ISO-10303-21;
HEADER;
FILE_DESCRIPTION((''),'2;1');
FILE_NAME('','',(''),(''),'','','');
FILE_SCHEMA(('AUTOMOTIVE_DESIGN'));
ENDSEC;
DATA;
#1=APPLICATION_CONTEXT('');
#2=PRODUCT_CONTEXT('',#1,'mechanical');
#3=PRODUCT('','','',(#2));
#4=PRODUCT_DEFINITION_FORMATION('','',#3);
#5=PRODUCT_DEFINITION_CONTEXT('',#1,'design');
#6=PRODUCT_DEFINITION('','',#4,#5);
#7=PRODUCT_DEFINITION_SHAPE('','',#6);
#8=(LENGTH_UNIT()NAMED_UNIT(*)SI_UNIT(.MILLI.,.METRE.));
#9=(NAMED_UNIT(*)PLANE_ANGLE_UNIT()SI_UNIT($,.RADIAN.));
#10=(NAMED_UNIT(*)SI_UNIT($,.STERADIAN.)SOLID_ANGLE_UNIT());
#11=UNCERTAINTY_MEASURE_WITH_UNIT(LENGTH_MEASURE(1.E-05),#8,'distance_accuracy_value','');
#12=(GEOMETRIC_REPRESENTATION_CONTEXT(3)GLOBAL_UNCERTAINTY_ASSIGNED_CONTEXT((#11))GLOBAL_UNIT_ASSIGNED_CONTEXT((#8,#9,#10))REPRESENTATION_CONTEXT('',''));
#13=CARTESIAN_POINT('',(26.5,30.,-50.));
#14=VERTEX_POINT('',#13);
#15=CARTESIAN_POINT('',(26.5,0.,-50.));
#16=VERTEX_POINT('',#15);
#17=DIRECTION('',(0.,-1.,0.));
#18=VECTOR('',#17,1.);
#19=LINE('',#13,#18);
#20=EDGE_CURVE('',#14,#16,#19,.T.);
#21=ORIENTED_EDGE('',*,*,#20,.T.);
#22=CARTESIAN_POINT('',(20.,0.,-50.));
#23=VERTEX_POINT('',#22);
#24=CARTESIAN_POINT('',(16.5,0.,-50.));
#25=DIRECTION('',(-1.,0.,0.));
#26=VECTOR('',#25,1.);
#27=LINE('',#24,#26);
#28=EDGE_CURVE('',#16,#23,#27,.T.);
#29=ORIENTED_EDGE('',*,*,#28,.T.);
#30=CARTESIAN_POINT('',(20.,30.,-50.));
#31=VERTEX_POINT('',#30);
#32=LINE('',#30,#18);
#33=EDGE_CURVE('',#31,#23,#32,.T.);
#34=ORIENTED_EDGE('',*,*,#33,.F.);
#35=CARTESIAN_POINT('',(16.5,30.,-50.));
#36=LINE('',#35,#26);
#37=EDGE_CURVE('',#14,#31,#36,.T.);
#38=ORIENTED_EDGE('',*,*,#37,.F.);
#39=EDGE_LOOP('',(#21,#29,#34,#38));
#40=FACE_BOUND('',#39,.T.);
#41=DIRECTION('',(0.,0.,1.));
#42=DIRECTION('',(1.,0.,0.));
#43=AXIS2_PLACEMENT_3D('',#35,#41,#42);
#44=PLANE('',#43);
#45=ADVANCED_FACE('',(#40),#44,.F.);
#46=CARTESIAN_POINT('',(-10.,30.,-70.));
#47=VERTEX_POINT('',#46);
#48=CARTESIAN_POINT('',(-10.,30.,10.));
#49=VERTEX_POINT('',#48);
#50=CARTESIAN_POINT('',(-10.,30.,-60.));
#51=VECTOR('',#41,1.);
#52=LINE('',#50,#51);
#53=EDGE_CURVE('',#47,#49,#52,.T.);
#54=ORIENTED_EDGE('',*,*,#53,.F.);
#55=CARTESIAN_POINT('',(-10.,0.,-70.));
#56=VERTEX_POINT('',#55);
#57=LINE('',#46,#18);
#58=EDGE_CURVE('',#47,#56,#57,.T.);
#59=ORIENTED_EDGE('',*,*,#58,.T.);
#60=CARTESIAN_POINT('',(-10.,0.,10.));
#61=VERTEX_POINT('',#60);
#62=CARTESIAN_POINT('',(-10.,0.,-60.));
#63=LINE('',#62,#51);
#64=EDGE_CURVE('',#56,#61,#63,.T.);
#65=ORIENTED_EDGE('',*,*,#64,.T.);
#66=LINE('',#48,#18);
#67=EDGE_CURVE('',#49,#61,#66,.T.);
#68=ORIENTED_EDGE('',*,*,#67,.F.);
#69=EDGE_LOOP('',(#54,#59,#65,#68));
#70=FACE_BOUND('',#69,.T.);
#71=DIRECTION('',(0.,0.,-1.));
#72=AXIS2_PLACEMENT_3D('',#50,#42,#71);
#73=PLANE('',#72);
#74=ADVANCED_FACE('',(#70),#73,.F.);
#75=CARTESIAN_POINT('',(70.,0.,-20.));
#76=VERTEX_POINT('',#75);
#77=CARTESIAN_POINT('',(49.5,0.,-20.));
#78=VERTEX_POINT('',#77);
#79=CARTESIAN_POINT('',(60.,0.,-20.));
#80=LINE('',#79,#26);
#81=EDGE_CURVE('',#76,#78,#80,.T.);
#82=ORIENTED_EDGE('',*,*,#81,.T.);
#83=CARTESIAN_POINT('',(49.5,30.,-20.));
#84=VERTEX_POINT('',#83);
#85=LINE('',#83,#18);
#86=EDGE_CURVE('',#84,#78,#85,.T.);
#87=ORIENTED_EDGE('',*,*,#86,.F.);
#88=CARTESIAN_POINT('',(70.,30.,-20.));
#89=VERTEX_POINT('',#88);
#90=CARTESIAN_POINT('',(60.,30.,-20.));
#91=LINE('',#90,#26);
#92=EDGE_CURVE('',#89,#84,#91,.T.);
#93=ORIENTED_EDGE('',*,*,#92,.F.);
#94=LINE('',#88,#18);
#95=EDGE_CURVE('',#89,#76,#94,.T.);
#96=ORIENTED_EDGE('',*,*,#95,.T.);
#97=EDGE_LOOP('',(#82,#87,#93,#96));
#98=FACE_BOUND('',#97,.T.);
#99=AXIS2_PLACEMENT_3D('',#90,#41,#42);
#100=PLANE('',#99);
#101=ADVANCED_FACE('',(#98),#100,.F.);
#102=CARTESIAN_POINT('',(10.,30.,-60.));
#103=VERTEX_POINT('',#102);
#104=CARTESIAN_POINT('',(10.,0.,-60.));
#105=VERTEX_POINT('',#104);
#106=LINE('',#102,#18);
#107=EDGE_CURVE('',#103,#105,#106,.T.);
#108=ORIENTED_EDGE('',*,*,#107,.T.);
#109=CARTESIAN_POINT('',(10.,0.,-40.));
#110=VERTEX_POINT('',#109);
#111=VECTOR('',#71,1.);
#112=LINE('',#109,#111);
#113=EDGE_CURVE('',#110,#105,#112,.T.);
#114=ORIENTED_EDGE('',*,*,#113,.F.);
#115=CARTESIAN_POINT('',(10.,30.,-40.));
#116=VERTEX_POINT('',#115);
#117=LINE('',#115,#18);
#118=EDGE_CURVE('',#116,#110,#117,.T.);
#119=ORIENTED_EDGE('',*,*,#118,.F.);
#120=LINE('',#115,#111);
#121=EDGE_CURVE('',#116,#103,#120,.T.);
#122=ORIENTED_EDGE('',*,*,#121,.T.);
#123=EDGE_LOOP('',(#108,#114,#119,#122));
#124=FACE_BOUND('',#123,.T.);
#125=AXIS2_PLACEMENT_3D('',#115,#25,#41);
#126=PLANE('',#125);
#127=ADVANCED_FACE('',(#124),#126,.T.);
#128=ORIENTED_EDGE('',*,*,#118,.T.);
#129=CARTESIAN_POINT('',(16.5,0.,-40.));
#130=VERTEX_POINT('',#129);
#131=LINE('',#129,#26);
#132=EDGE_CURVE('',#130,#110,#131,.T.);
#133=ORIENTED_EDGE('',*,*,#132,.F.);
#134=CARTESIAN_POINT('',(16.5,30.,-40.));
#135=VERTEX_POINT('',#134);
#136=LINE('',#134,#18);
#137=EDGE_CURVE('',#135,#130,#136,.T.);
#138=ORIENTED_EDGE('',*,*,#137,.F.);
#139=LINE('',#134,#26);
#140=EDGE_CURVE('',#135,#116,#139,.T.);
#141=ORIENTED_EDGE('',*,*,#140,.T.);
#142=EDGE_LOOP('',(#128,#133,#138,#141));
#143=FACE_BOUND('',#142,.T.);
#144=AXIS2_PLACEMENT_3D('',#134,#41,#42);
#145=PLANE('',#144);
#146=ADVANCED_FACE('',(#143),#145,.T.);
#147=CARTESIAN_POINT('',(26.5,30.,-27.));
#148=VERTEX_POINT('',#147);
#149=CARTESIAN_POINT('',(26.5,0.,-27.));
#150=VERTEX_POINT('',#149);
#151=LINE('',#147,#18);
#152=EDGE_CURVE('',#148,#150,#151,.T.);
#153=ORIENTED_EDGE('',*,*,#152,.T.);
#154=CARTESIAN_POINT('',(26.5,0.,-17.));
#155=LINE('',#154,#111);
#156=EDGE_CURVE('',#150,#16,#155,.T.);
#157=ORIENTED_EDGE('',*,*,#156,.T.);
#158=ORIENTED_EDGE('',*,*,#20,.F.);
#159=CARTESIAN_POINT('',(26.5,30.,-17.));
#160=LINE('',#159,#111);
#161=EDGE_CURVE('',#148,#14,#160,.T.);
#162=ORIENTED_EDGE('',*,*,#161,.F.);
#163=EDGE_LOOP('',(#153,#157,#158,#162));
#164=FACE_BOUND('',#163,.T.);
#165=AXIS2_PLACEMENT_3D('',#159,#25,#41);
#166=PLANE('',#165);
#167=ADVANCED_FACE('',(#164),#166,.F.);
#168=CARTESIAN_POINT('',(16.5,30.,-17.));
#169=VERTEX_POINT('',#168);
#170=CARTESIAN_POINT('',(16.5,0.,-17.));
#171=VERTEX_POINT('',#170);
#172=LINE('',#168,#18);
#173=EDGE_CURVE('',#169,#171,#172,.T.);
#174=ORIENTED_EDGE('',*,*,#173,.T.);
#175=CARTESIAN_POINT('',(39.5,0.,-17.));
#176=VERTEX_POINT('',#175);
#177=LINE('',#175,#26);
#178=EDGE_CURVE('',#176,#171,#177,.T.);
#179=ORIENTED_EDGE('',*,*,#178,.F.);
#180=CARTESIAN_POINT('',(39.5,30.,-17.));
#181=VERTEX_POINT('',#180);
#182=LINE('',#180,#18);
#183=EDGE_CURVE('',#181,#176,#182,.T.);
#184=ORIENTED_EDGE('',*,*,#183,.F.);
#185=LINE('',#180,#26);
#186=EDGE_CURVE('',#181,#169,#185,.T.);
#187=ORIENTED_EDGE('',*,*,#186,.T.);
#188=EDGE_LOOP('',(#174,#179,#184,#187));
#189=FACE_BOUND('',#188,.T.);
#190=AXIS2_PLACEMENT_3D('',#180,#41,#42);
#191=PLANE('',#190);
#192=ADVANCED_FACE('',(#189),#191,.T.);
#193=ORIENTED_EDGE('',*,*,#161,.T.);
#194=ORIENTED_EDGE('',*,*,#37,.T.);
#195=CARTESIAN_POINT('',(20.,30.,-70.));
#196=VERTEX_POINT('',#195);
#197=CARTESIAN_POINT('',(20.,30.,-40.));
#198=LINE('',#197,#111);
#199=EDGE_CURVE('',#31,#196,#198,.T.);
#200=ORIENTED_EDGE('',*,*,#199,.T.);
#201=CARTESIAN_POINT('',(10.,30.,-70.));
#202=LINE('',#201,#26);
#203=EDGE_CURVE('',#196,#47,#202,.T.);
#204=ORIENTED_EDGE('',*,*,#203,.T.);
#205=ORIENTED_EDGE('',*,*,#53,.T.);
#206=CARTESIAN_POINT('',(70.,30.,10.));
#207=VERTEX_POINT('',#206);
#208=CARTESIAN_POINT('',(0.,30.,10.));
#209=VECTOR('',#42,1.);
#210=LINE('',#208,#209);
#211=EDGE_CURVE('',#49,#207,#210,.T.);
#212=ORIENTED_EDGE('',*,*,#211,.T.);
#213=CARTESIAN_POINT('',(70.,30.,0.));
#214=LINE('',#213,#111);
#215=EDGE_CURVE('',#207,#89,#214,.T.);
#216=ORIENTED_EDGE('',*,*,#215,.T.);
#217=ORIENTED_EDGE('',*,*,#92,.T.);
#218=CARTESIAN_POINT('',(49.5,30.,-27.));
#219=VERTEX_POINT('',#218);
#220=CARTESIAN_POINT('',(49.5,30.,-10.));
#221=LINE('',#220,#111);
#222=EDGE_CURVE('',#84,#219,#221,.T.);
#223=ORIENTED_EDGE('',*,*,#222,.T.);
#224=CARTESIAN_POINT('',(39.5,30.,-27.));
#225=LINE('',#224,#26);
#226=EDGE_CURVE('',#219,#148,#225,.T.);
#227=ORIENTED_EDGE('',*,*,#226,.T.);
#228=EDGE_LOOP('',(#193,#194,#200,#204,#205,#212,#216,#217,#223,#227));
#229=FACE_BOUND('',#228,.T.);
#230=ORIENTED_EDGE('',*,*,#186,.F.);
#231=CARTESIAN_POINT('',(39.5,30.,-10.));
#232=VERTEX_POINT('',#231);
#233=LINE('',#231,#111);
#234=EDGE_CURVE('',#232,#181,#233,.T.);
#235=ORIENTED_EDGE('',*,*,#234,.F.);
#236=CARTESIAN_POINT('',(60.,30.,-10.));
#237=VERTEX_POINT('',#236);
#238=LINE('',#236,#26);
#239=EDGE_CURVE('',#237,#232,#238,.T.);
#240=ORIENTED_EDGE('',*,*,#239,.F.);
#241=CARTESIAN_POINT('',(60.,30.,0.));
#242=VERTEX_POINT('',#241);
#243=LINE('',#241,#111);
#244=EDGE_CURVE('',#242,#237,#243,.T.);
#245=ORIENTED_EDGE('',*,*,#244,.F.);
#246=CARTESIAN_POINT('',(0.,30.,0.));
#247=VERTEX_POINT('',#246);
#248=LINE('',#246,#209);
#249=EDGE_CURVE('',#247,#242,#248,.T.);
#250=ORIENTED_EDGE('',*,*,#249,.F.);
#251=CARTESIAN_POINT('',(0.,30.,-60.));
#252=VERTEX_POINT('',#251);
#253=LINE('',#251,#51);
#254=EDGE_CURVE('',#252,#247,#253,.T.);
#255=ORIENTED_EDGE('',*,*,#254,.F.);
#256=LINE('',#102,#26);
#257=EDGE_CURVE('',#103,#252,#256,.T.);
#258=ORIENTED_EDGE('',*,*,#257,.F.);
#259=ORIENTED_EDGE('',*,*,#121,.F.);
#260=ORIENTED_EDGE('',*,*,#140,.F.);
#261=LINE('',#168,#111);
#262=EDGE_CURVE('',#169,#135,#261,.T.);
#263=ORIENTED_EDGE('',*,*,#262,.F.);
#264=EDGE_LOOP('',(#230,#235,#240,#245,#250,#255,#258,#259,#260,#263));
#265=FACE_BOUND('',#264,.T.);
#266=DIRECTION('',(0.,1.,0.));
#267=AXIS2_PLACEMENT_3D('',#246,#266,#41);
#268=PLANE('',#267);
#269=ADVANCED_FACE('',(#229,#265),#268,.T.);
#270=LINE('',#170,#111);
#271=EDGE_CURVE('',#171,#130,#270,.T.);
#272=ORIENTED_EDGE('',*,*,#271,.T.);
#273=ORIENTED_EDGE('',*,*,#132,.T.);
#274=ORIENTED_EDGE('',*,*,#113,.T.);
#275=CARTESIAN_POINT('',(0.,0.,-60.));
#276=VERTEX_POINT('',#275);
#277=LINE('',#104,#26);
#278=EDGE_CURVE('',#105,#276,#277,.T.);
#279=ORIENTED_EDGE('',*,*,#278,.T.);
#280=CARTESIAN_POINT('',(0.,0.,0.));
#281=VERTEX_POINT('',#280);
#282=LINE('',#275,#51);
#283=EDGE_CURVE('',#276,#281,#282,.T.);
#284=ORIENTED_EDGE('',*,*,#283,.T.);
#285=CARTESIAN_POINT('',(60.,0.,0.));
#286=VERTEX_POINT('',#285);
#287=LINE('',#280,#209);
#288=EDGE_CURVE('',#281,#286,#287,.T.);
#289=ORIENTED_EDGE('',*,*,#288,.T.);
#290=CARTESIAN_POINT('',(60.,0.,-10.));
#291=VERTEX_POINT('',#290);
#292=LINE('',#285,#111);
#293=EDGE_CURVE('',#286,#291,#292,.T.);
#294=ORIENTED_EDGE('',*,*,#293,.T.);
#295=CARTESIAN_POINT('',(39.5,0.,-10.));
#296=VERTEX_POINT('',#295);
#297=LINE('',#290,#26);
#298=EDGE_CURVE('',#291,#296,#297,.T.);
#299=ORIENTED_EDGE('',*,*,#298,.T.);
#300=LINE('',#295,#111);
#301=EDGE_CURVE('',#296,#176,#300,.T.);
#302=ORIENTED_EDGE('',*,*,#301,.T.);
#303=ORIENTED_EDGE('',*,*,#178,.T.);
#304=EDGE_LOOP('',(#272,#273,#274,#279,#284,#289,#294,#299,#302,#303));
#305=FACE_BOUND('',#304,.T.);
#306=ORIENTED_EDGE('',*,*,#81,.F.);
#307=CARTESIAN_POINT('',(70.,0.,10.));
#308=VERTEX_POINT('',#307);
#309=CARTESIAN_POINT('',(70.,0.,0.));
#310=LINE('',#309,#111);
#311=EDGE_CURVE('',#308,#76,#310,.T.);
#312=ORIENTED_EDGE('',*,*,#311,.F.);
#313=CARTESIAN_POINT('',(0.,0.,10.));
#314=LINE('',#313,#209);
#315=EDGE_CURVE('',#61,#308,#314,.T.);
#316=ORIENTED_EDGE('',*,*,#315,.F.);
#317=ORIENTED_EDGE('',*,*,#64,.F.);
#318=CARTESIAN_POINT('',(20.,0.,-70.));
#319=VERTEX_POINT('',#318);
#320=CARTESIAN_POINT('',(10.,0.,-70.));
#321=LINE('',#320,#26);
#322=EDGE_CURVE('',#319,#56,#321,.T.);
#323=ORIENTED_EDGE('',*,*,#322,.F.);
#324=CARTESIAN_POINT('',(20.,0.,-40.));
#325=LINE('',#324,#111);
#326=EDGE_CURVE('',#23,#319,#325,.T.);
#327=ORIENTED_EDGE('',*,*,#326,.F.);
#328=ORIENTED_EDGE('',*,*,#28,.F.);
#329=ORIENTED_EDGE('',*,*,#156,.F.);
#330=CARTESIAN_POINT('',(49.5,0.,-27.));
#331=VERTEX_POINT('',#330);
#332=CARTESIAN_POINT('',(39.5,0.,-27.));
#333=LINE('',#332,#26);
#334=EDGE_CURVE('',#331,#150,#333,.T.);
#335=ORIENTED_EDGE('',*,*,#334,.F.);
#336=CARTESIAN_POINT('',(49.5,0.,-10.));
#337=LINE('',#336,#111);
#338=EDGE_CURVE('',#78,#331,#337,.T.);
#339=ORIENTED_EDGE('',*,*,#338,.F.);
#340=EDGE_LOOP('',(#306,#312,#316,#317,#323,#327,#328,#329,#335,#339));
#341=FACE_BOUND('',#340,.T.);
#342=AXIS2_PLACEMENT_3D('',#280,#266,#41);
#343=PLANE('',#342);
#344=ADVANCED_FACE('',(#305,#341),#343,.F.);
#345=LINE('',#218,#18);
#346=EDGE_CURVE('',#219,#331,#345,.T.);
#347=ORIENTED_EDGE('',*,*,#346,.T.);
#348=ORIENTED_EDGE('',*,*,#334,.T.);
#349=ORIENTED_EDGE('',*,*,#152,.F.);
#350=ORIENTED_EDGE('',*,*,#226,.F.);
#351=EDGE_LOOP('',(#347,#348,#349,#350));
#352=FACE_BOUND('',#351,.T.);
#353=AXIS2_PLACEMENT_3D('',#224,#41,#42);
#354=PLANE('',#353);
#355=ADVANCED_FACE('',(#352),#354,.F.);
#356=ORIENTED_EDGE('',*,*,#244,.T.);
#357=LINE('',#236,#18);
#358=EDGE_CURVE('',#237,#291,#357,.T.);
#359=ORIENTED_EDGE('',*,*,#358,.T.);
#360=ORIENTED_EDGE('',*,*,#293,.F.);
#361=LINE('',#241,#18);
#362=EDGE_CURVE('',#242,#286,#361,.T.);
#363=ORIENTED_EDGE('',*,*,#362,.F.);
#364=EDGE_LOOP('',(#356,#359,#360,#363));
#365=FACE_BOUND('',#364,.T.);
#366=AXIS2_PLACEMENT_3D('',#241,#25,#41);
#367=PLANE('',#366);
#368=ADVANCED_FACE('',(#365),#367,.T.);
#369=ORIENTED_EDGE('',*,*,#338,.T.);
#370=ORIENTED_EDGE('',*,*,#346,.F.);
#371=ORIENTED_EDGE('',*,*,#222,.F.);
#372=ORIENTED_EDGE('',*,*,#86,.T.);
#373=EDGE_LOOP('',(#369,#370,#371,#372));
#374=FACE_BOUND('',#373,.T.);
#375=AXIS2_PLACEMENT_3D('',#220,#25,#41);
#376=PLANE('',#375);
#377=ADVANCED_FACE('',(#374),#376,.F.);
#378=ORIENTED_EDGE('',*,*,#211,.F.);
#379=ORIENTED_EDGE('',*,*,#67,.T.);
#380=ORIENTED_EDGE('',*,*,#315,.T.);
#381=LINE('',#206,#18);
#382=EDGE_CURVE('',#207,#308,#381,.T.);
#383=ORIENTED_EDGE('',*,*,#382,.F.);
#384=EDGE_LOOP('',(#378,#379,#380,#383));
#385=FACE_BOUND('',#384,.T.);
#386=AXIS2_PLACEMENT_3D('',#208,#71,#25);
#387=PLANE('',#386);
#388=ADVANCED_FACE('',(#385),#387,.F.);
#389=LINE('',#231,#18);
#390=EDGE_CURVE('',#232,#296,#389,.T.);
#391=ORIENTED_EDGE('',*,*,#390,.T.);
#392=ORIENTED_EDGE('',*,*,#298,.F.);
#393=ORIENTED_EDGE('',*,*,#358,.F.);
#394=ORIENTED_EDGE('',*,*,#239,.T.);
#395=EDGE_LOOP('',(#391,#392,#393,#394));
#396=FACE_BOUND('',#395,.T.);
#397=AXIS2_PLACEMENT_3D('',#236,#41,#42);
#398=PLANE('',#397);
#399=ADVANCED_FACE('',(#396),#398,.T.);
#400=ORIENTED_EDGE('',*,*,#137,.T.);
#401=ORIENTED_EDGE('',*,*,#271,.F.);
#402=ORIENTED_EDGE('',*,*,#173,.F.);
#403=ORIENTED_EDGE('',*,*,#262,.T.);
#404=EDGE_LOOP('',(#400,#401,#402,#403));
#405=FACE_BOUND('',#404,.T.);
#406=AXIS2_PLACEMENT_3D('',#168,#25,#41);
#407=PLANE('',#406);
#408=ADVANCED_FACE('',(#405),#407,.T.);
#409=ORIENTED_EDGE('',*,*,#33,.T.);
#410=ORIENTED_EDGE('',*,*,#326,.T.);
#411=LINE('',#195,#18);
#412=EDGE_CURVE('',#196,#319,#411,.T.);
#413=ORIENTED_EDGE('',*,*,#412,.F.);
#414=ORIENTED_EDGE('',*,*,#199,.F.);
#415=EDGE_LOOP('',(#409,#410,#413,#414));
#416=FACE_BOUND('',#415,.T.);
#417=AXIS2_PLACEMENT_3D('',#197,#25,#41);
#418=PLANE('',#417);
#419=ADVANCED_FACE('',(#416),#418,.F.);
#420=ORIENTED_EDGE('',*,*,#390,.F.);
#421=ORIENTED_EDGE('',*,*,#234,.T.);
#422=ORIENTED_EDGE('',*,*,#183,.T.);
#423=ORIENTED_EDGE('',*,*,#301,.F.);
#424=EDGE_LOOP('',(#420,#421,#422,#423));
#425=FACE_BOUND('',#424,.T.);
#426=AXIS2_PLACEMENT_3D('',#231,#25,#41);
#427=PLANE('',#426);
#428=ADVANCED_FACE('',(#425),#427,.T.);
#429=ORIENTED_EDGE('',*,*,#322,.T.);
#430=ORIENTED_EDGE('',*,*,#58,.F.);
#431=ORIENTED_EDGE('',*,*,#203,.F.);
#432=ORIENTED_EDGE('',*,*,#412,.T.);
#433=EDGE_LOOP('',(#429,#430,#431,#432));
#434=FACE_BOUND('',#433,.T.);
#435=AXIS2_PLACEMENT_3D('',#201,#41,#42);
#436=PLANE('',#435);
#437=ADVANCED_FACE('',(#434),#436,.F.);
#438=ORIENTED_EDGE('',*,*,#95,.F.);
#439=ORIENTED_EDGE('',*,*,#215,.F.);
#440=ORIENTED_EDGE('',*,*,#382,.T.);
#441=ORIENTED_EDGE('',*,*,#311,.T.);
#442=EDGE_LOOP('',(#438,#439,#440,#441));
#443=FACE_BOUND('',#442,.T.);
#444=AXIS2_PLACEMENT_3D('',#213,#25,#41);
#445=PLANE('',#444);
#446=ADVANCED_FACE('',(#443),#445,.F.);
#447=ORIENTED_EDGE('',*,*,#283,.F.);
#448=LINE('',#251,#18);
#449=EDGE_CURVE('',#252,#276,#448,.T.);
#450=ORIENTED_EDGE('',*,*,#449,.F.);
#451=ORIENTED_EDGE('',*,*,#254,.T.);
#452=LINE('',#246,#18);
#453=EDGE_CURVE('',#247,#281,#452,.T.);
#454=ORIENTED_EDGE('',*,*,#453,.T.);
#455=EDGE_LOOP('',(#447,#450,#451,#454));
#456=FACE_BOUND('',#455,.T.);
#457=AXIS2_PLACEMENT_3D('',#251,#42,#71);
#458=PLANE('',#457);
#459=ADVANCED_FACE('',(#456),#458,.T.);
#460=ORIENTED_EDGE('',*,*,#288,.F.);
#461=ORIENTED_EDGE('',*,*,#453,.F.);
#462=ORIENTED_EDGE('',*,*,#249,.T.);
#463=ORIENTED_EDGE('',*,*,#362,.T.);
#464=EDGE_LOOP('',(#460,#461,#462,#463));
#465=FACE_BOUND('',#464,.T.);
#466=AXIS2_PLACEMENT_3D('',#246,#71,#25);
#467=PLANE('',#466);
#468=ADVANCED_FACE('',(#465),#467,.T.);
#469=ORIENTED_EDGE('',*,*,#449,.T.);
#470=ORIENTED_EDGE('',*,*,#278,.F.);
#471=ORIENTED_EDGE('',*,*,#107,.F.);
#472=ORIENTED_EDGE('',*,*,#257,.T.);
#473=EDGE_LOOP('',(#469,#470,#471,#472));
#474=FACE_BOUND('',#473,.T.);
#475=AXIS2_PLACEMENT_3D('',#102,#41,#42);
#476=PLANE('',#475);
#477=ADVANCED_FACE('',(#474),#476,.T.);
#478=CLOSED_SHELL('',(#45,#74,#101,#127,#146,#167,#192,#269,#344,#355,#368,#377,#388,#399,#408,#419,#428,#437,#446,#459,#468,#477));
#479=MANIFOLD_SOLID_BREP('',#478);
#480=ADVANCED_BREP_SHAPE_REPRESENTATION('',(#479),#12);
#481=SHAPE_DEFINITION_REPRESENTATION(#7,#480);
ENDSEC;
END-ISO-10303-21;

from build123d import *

# Parameters (mm, degrees)
EXTRUDE_1_DEPTH = 30


with BuildPart() as part:
    # 草图1 → 拉伸-薄壁1 (new body)
    with BuildSketch(Plane(origin=(0, 0, 0), x_dir=(1, 0, 0), z_dir=(0, 1, 0))):
        Polygon((-10, -10), (70, -10), (70, 20), (49.5, 20), (49.5, 27), (26.5, 27), (26.5, 50), (20, 50), (20, 70), (-10, 70), align=None)
        Polygon((0, 0), (60, 0), (60, 10), (39.5, 10), (39.5, 17), (16.5, 17), (16.5, 40), (10, 40), (10, 60), (0, 60), align=None, mode=Mode.SUBTRACT)
    extrude(amount=EXTRUDE_1_DEPTH)


solid = part.part
